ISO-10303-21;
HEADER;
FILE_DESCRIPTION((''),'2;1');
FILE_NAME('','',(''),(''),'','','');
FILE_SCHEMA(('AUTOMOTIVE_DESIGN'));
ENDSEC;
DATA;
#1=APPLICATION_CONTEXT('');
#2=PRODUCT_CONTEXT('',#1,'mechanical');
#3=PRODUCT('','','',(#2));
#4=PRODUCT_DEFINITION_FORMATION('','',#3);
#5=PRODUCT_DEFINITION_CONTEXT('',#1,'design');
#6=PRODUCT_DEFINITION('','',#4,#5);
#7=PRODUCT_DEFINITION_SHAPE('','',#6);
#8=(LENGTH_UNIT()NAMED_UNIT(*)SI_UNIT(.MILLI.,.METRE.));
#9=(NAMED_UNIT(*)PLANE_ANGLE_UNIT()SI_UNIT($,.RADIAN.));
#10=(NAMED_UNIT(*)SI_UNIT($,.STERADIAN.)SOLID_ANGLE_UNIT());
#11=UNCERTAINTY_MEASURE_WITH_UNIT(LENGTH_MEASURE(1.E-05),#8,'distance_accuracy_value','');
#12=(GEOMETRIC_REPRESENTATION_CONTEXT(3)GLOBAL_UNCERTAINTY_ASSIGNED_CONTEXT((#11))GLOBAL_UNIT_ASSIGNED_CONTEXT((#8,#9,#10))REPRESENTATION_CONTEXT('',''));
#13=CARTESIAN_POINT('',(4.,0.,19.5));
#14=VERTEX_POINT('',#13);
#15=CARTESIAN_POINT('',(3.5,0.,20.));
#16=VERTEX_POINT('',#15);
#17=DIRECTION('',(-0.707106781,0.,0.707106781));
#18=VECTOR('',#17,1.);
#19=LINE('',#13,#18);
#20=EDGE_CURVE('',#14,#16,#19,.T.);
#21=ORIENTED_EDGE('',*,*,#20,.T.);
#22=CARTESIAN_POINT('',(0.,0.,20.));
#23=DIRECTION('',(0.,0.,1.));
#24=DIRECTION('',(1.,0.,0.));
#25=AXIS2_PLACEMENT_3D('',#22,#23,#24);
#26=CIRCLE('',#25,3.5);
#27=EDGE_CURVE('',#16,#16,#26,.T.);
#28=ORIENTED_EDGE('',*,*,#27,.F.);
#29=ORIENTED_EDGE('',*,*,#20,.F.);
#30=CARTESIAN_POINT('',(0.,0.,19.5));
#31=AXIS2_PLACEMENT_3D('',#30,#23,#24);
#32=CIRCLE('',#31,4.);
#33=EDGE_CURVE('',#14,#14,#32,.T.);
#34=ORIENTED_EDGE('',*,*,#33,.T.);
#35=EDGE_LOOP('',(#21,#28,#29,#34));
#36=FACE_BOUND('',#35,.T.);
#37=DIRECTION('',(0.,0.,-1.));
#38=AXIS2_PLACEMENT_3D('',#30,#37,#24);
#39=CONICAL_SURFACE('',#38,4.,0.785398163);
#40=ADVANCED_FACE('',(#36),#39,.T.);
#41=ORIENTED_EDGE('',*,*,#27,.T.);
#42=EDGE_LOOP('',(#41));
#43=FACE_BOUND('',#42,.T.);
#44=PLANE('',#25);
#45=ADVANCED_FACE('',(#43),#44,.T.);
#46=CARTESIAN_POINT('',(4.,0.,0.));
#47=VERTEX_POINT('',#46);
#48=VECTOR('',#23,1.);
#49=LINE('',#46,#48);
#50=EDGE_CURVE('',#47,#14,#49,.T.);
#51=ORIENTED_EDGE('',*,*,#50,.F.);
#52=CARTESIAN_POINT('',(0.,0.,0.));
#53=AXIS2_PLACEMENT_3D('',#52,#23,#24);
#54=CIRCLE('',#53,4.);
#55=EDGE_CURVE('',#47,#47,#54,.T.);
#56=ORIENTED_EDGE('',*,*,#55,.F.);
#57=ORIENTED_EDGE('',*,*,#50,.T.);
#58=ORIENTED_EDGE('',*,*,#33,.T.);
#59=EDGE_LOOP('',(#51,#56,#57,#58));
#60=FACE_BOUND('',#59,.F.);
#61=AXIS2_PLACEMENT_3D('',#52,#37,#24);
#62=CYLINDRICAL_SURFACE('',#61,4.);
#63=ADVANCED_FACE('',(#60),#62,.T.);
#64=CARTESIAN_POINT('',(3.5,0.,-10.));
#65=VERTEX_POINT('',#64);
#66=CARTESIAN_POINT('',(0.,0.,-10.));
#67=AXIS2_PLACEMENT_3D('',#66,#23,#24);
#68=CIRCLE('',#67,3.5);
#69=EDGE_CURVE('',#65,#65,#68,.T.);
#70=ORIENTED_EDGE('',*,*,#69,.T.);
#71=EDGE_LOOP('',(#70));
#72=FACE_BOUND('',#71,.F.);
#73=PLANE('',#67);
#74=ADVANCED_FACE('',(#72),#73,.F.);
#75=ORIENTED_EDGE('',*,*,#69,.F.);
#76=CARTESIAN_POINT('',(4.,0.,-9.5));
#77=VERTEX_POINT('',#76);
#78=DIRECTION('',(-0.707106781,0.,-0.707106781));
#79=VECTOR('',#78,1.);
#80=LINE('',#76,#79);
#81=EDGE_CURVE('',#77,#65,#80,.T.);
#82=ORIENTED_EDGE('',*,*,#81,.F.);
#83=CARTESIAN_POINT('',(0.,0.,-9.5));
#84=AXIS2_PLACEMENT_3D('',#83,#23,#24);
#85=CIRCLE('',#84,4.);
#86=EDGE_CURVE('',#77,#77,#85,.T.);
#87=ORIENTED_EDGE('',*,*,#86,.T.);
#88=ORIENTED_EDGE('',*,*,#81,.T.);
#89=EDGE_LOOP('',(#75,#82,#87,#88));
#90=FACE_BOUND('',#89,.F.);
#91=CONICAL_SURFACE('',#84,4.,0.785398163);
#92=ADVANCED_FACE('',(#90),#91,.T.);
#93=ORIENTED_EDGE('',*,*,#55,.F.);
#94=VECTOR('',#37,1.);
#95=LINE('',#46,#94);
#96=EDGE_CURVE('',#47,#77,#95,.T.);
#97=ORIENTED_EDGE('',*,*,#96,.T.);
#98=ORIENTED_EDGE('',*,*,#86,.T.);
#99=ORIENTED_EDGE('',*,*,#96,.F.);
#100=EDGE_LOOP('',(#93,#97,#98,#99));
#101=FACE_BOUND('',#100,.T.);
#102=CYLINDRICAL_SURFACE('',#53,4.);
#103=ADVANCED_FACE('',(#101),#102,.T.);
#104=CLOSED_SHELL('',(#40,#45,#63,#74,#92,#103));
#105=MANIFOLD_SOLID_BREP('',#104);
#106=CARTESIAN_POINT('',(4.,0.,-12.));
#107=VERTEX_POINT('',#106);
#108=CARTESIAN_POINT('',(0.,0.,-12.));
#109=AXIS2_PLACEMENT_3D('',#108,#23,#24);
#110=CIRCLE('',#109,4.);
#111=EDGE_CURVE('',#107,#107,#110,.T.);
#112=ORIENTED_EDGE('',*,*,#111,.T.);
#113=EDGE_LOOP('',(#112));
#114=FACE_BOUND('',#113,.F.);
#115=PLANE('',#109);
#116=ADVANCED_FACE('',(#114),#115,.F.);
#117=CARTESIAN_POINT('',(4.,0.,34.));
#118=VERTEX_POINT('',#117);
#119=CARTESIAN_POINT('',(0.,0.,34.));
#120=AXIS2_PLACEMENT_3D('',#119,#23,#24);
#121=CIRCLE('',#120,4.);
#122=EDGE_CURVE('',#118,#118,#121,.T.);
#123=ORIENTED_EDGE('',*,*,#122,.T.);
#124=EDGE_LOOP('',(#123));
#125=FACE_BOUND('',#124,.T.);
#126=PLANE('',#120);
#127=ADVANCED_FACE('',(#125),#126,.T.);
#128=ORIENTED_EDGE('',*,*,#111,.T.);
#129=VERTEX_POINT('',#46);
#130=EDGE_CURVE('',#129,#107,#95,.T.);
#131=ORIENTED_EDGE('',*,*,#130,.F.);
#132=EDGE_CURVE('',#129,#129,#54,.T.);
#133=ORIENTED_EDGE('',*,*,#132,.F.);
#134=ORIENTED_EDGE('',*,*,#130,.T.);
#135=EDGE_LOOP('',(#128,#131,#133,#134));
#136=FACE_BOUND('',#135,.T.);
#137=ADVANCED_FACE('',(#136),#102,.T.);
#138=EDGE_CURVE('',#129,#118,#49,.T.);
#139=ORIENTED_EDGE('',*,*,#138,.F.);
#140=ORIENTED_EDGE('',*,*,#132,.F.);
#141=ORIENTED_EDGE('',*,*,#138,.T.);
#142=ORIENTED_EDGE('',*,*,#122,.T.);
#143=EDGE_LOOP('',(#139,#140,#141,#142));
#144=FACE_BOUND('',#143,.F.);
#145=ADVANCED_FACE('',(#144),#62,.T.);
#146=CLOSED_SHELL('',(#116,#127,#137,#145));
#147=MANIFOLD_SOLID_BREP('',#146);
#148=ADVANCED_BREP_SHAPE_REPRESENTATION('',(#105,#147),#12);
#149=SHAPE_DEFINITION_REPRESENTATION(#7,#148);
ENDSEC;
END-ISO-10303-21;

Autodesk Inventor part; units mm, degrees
ref_plane "YZ Plane" through (0, 0, 0) normal (1, 0, 0) x (0, 1, 0)
ref_plane "XZ Plane" through (0, 0, 0) normal (0, 1, 0) x (-1, 0, 0)
ref_plane "XY Plane" through (0, 0, 0) normal (0, 0, 1) x (1, 0, 0)
sketch "Sketch1" plane through (0, 0, 0) normal (0, 0, 1) x (1, 0, 0)
  circle A0 centre (0, 0) radius 4
  dimension "D" = 8
extrude "Extrusion1" add sketch "Sketch1" along normal blind 20 and the other way blind 10
chamfer "Chamfer1" distance 0.5 angle 45 2 edges at (-4, 0, 20) (-4, 0, -10)
sketch "Sketch2" plane through (0, 0, 0) normal (0, 0, 1) x (1, 0, 0)
  circle A0 centre (0, 0) radius 4
  dimension "d8" = 8
extrude "Extrusion2" add sketch "Sketch2" along normal blind 34 and the other way blind 12 separate body
properties part number "Dowel 30x8" material "TMB 01"
